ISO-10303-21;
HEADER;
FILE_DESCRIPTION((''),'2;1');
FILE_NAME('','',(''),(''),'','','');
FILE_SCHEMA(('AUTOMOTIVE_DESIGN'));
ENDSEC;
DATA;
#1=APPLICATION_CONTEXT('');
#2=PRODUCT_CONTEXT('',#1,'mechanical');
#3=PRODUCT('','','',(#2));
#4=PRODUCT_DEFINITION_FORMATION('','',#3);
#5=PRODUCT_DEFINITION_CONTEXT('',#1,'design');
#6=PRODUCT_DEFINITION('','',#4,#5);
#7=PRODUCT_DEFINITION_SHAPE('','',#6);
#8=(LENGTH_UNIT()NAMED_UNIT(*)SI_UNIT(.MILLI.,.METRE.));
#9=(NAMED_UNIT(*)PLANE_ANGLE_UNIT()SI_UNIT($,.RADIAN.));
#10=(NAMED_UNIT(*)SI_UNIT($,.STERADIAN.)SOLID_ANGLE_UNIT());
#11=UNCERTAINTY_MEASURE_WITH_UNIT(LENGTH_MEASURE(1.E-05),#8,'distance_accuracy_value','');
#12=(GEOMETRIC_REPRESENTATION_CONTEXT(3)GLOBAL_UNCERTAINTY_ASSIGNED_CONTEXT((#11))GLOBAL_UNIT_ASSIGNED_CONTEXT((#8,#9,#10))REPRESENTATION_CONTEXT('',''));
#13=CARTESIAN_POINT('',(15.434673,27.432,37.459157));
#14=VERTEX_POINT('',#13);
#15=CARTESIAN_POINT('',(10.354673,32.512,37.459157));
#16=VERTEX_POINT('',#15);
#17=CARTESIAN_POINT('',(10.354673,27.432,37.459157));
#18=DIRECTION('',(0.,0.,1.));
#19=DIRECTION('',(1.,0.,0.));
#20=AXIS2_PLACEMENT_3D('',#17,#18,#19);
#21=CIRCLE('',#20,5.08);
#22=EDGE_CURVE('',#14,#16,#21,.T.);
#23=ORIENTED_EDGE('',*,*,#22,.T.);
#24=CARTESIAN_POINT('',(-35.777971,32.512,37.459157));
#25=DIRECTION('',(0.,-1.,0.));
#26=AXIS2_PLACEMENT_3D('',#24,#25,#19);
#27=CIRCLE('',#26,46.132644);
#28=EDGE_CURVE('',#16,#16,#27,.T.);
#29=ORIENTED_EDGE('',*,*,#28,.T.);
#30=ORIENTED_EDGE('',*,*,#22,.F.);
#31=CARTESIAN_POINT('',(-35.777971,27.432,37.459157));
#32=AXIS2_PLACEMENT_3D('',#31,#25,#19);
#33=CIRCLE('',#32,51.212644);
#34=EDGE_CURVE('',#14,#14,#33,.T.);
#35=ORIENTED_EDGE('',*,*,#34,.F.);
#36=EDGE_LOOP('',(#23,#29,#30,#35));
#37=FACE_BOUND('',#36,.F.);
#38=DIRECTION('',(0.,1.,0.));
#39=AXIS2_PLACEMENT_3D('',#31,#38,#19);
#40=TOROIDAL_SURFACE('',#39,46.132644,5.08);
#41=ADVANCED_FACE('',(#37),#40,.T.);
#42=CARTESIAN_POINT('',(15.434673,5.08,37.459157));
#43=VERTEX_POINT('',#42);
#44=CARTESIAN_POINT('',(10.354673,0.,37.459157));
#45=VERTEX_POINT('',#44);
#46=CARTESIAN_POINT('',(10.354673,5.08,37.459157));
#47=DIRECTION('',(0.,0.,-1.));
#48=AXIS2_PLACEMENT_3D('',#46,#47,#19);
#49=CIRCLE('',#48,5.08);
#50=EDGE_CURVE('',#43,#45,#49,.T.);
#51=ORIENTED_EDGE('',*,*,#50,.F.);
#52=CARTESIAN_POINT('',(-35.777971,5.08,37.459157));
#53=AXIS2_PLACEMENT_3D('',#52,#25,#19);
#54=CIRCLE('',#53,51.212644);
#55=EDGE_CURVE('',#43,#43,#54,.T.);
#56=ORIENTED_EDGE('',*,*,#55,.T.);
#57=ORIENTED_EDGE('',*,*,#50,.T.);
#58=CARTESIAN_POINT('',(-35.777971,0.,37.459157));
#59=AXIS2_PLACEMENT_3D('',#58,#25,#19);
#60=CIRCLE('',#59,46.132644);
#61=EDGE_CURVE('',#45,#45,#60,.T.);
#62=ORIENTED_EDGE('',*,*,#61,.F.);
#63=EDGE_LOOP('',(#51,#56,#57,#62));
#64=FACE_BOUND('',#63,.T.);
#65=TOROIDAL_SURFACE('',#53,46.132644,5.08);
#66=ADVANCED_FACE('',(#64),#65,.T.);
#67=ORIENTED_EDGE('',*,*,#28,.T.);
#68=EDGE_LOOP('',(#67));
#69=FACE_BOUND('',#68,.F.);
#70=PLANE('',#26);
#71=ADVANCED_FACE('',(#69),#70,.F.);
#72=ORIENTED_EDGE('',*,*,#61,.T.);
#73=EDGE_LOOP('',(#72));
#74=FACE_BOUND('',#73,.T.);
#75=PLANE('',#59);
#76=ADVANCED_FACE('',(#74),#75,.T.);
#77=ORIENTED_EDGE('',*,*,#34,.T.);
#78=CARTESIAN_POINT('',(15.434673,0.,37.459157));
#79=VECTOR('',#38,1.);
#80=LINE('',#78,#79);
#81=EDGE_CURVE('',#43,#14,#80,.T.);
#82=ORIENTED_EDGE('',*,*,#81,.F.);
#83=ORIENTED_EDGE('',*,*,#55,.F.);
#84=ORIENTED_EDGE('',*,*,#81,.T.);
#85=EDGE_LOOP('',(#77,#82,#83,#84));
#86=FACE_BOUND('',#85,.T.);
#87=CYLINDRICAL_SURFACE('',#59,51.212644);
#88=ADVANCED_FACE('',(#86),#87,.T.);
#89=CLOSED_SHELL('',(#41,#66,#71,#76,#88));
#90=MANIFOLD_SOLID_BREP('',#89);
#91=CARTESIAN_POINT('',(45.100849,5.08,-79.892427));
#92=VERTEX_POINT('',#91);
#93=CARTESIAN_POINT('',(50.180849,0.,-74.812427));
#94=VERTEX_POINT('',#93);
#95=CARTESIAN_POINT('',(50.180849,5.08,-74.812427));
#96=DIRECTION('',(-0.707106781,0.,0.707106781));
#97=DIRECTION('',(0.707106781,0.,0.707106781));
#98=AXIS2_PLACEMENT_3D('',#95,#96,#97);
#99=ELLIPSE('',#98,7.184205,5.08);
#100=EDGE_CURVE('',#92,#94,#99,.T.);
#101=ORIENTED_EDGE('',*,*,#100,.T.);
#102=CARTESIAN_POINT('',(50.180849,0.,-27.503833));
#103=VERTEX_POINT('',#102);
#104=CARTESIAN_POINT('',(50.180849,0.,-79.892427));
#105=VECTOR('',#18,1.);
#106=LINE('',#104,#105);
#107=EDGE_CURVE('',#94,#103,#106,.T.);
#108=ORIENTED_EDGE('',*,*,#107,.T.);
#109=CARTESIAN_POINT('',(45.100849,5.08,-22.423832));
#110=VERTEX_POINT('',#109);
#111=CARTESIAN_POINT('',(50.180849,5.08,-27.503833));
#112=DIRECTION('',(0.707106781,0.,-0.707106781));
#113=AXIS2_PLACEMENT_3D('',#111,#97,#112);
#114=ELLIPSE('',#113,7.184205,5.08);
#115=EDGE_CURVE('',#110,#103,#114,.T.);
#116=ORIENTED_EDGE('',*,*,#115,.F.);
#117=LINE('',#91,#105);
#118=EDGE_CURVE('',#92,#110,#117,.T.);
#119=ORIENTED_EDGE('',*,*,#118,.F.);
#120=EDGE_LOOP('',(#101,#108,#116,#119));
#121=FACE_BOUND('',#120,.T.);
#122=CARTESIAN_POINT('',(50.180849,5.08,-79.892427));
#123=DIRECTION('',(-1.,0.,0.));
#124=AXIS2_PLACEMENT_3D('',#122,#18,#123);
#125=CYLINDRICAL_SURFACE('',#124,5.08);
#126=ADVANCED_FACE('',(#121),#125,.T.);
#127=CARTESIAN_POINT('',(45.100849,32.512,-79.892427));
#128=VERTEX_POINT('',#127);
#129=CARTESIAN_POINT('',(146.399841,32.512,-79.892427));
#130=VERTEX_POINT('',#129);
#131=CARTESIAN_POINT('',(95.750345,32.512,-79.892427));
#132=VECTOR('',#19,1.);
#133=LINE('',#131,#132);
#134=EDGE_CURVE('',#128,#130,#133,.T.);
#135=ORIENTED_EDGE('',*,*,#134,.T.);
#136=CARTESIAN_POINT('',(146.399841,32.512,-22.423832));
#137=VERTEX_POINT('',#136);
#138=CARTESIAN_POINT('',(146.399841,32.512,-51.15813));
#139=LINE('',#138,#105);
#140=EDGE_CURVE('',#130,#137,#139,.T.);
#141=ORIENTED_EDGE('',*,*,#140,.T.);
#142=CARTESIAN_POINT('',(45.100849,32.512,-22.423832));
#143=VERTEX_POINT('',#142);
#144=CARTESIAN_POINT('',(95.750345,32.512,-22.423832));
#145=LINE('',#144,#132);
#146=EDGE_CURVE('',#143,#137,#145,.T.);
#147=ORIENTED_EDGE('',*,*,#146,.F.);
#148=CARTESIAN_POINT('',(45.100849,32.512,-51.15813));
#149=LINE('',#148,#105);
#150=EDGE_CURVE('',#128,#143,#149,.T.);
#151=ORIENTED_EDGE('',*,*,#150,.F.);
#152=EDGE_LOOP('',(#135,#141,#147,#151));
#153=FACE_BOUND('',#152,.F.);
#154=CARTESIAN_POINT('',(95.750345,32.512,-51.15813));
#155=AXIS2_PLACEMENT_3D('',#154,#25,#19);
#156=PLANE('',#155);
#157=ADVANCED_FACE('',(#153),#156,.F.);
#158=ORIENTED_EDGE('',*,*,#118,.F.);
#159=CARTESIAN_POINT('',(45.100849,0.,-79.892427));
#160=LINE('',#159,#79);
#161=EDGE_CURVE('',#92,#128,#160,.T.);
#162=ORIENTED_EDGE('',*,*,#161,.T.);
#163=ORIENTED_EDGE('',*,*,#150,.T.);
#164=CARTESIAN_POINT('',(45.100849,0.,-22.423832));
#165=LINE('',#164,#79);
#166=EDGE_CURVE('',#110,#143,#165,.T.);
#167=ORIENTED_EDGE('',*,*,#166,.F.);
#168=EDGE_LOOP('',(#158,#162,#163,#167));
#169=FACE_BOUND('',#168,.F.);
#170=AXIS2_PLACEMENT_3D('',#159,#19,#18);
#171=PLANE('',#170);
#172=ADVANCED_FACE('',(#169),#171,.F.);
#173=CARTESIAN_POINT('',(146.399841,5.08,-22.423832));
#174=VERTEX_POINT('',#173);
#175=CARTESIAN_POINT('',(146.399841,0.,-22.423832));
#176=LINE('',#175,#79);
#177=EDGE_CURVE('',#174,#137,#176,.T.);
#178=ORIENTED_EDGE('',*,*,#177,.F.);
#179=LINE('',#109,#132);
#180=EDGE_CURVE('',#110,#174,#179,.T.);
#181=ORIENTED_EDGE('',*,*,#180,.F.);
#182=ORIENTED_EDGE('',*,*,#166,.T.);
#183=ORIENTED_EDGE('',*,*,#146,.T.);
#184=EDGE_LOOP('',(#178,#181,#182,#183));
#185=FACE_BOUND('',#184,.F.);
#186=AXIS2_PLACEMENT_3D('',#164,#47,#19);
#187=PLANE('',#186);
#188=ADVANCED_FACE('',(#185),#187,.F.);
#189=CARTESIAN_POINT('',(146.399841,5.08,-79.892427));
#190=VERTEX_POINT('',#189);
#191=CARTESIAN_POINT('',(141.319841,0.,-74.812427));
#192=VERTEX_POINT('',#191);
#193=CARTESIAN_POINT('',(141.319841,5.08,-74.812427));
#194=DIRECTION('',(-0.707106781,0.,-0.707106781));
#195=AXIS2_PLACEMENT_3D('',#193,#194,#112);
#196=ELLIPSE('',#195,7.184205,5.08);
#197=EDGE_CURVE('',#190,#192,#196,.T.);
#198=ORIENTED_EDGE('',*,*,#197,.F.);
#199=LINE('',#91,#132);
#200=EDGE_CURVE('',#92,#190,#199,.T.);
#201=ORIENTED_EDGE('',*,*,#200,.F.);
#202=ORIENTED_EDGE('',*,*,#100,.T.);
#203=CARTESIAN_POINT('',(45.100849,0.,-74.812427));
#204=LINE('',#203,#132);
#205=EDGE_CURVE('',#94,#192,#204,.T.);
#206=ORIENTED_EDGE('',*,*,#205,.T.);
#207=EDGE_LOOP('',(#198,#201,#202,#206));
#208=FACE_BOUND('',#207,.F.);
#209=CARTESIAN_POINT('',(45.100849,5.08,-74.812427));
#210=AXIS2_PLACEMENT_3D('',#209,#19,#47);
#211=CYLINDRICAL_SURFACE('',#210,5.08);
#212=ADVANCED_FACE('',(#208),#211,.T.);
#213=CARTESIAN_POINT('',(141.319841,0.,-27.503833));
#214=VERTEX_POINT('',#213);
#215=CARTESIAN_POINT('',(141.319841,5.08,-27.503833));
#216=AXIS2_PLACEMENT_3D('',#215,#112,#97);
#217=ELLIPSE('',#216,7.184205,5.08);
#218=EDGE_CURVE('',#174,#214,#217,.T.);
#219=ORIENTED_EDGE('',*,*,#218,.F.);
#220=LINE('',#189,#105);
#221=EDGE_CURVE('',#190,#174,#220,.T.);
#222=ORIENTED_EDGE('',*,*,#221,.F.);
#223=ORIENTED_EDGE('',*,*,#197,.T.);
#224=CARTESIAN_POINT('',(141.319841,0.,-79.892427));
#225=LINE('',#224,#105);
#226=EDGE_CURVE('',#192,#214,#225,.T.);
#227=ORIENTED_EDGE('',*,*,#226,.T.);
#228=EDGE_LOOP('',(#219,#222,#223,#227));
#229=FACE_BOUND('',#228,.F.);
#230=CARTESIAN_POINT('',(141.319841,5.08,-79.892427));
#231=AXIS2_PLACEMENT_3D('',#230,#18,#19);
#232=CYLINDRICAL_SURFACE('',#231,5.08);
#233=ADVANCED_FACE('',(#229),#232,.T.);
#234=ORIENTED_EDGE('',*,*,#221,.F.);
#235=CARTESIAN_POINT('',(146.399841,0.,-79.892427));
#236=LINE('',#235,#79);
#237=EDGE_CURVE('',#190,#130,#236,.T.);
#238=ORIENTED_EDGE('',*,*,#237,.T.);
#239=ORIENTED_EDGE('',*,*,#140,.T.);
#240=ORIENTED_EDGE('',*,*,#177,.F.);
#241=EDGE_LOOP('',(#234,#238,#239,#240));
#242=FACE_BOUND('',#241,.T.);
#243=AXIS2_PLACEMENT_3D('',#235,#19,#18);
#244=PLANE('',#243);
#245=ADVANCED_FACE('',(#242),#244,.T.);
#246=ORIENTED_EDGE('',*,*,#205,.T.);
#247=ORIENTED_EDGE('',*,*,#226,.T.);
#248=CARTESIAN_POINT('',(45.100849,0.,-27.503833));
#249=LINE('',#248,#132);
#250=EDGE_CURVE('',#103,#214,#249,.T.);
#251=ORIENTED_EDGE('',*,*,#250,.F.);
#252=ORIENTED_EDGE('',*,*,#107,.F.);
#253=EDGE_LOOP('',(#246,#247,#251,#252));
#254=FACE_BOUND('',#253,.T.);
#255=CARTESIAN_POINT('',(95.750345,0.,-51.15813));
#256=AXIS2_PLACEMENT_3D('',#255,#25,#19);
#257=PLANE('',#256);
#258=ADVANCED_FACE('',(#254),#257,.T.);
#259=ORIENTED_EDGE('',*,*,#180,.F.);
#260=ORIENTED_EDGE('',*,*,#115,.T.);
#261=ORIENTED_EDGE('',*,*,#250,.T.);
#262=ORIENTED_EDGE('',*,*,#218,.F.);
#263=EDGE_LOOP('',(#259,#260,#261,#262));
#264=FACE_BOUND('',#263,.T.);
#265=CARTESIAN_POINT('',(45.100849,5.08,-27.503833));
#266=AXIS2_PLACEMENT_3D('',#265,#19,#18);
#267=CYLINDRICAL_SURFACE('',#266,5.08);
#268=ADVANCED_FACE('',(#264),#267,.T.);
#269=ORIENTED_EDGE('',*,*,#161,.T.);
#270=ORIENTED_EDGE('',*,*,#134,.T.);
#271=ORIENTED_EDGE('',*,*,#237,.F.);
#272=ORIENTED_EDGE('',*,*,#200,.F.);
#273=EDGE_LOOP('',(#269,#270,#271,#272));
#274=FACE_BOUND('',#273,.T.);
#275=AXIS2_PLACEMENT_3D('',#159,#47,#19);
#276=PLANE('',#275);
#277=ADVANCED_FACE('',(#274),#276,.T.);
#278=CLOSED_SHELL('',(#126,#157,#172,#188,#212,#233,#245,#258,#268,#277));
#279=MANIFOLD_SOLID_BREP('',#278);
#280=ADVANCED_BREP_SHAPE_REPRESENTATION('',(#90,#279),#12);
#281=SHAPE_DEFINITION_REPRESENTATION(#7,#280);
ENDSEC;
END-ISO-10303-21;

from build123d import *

# Parameters (mm, degrees)
F0_R     = 51.212644
F0_W     = 101.298992
F0_H     = 57.468595
F1_DEPTH = 32.512
F2_R     = 5.08


with BuildPart() as f1:
    # F0 (on Front) → F1 (new body)
    with BuildSketch(Plane.XZ):
        with Locations((-35.777971, 37.459157)):
            Circle(F0_R)
        with Locations((95.750345, -51.15813)):
            Rectangle(F0_W, F0_H)
    extrude(amount=-F1_DEPTH)

    # F2
    f2_edges = [f1.edges().sort_by_distance(p)[0] for p in [
        (15.434673, 16.256, 37.459157),
        (-86.990615, 0, 37.459157),
        (-86.990615, 32.512, 37.459157),
        (95.750345, 0, -22.423832),
        (45.100849, 0, -51.158129),
        (95.750345, 0, -79.892427),
        (146.399841, 0, -51.158129),
    ]]
    fillet(f2_edges, radius=F2_R)


solid = f1.part
